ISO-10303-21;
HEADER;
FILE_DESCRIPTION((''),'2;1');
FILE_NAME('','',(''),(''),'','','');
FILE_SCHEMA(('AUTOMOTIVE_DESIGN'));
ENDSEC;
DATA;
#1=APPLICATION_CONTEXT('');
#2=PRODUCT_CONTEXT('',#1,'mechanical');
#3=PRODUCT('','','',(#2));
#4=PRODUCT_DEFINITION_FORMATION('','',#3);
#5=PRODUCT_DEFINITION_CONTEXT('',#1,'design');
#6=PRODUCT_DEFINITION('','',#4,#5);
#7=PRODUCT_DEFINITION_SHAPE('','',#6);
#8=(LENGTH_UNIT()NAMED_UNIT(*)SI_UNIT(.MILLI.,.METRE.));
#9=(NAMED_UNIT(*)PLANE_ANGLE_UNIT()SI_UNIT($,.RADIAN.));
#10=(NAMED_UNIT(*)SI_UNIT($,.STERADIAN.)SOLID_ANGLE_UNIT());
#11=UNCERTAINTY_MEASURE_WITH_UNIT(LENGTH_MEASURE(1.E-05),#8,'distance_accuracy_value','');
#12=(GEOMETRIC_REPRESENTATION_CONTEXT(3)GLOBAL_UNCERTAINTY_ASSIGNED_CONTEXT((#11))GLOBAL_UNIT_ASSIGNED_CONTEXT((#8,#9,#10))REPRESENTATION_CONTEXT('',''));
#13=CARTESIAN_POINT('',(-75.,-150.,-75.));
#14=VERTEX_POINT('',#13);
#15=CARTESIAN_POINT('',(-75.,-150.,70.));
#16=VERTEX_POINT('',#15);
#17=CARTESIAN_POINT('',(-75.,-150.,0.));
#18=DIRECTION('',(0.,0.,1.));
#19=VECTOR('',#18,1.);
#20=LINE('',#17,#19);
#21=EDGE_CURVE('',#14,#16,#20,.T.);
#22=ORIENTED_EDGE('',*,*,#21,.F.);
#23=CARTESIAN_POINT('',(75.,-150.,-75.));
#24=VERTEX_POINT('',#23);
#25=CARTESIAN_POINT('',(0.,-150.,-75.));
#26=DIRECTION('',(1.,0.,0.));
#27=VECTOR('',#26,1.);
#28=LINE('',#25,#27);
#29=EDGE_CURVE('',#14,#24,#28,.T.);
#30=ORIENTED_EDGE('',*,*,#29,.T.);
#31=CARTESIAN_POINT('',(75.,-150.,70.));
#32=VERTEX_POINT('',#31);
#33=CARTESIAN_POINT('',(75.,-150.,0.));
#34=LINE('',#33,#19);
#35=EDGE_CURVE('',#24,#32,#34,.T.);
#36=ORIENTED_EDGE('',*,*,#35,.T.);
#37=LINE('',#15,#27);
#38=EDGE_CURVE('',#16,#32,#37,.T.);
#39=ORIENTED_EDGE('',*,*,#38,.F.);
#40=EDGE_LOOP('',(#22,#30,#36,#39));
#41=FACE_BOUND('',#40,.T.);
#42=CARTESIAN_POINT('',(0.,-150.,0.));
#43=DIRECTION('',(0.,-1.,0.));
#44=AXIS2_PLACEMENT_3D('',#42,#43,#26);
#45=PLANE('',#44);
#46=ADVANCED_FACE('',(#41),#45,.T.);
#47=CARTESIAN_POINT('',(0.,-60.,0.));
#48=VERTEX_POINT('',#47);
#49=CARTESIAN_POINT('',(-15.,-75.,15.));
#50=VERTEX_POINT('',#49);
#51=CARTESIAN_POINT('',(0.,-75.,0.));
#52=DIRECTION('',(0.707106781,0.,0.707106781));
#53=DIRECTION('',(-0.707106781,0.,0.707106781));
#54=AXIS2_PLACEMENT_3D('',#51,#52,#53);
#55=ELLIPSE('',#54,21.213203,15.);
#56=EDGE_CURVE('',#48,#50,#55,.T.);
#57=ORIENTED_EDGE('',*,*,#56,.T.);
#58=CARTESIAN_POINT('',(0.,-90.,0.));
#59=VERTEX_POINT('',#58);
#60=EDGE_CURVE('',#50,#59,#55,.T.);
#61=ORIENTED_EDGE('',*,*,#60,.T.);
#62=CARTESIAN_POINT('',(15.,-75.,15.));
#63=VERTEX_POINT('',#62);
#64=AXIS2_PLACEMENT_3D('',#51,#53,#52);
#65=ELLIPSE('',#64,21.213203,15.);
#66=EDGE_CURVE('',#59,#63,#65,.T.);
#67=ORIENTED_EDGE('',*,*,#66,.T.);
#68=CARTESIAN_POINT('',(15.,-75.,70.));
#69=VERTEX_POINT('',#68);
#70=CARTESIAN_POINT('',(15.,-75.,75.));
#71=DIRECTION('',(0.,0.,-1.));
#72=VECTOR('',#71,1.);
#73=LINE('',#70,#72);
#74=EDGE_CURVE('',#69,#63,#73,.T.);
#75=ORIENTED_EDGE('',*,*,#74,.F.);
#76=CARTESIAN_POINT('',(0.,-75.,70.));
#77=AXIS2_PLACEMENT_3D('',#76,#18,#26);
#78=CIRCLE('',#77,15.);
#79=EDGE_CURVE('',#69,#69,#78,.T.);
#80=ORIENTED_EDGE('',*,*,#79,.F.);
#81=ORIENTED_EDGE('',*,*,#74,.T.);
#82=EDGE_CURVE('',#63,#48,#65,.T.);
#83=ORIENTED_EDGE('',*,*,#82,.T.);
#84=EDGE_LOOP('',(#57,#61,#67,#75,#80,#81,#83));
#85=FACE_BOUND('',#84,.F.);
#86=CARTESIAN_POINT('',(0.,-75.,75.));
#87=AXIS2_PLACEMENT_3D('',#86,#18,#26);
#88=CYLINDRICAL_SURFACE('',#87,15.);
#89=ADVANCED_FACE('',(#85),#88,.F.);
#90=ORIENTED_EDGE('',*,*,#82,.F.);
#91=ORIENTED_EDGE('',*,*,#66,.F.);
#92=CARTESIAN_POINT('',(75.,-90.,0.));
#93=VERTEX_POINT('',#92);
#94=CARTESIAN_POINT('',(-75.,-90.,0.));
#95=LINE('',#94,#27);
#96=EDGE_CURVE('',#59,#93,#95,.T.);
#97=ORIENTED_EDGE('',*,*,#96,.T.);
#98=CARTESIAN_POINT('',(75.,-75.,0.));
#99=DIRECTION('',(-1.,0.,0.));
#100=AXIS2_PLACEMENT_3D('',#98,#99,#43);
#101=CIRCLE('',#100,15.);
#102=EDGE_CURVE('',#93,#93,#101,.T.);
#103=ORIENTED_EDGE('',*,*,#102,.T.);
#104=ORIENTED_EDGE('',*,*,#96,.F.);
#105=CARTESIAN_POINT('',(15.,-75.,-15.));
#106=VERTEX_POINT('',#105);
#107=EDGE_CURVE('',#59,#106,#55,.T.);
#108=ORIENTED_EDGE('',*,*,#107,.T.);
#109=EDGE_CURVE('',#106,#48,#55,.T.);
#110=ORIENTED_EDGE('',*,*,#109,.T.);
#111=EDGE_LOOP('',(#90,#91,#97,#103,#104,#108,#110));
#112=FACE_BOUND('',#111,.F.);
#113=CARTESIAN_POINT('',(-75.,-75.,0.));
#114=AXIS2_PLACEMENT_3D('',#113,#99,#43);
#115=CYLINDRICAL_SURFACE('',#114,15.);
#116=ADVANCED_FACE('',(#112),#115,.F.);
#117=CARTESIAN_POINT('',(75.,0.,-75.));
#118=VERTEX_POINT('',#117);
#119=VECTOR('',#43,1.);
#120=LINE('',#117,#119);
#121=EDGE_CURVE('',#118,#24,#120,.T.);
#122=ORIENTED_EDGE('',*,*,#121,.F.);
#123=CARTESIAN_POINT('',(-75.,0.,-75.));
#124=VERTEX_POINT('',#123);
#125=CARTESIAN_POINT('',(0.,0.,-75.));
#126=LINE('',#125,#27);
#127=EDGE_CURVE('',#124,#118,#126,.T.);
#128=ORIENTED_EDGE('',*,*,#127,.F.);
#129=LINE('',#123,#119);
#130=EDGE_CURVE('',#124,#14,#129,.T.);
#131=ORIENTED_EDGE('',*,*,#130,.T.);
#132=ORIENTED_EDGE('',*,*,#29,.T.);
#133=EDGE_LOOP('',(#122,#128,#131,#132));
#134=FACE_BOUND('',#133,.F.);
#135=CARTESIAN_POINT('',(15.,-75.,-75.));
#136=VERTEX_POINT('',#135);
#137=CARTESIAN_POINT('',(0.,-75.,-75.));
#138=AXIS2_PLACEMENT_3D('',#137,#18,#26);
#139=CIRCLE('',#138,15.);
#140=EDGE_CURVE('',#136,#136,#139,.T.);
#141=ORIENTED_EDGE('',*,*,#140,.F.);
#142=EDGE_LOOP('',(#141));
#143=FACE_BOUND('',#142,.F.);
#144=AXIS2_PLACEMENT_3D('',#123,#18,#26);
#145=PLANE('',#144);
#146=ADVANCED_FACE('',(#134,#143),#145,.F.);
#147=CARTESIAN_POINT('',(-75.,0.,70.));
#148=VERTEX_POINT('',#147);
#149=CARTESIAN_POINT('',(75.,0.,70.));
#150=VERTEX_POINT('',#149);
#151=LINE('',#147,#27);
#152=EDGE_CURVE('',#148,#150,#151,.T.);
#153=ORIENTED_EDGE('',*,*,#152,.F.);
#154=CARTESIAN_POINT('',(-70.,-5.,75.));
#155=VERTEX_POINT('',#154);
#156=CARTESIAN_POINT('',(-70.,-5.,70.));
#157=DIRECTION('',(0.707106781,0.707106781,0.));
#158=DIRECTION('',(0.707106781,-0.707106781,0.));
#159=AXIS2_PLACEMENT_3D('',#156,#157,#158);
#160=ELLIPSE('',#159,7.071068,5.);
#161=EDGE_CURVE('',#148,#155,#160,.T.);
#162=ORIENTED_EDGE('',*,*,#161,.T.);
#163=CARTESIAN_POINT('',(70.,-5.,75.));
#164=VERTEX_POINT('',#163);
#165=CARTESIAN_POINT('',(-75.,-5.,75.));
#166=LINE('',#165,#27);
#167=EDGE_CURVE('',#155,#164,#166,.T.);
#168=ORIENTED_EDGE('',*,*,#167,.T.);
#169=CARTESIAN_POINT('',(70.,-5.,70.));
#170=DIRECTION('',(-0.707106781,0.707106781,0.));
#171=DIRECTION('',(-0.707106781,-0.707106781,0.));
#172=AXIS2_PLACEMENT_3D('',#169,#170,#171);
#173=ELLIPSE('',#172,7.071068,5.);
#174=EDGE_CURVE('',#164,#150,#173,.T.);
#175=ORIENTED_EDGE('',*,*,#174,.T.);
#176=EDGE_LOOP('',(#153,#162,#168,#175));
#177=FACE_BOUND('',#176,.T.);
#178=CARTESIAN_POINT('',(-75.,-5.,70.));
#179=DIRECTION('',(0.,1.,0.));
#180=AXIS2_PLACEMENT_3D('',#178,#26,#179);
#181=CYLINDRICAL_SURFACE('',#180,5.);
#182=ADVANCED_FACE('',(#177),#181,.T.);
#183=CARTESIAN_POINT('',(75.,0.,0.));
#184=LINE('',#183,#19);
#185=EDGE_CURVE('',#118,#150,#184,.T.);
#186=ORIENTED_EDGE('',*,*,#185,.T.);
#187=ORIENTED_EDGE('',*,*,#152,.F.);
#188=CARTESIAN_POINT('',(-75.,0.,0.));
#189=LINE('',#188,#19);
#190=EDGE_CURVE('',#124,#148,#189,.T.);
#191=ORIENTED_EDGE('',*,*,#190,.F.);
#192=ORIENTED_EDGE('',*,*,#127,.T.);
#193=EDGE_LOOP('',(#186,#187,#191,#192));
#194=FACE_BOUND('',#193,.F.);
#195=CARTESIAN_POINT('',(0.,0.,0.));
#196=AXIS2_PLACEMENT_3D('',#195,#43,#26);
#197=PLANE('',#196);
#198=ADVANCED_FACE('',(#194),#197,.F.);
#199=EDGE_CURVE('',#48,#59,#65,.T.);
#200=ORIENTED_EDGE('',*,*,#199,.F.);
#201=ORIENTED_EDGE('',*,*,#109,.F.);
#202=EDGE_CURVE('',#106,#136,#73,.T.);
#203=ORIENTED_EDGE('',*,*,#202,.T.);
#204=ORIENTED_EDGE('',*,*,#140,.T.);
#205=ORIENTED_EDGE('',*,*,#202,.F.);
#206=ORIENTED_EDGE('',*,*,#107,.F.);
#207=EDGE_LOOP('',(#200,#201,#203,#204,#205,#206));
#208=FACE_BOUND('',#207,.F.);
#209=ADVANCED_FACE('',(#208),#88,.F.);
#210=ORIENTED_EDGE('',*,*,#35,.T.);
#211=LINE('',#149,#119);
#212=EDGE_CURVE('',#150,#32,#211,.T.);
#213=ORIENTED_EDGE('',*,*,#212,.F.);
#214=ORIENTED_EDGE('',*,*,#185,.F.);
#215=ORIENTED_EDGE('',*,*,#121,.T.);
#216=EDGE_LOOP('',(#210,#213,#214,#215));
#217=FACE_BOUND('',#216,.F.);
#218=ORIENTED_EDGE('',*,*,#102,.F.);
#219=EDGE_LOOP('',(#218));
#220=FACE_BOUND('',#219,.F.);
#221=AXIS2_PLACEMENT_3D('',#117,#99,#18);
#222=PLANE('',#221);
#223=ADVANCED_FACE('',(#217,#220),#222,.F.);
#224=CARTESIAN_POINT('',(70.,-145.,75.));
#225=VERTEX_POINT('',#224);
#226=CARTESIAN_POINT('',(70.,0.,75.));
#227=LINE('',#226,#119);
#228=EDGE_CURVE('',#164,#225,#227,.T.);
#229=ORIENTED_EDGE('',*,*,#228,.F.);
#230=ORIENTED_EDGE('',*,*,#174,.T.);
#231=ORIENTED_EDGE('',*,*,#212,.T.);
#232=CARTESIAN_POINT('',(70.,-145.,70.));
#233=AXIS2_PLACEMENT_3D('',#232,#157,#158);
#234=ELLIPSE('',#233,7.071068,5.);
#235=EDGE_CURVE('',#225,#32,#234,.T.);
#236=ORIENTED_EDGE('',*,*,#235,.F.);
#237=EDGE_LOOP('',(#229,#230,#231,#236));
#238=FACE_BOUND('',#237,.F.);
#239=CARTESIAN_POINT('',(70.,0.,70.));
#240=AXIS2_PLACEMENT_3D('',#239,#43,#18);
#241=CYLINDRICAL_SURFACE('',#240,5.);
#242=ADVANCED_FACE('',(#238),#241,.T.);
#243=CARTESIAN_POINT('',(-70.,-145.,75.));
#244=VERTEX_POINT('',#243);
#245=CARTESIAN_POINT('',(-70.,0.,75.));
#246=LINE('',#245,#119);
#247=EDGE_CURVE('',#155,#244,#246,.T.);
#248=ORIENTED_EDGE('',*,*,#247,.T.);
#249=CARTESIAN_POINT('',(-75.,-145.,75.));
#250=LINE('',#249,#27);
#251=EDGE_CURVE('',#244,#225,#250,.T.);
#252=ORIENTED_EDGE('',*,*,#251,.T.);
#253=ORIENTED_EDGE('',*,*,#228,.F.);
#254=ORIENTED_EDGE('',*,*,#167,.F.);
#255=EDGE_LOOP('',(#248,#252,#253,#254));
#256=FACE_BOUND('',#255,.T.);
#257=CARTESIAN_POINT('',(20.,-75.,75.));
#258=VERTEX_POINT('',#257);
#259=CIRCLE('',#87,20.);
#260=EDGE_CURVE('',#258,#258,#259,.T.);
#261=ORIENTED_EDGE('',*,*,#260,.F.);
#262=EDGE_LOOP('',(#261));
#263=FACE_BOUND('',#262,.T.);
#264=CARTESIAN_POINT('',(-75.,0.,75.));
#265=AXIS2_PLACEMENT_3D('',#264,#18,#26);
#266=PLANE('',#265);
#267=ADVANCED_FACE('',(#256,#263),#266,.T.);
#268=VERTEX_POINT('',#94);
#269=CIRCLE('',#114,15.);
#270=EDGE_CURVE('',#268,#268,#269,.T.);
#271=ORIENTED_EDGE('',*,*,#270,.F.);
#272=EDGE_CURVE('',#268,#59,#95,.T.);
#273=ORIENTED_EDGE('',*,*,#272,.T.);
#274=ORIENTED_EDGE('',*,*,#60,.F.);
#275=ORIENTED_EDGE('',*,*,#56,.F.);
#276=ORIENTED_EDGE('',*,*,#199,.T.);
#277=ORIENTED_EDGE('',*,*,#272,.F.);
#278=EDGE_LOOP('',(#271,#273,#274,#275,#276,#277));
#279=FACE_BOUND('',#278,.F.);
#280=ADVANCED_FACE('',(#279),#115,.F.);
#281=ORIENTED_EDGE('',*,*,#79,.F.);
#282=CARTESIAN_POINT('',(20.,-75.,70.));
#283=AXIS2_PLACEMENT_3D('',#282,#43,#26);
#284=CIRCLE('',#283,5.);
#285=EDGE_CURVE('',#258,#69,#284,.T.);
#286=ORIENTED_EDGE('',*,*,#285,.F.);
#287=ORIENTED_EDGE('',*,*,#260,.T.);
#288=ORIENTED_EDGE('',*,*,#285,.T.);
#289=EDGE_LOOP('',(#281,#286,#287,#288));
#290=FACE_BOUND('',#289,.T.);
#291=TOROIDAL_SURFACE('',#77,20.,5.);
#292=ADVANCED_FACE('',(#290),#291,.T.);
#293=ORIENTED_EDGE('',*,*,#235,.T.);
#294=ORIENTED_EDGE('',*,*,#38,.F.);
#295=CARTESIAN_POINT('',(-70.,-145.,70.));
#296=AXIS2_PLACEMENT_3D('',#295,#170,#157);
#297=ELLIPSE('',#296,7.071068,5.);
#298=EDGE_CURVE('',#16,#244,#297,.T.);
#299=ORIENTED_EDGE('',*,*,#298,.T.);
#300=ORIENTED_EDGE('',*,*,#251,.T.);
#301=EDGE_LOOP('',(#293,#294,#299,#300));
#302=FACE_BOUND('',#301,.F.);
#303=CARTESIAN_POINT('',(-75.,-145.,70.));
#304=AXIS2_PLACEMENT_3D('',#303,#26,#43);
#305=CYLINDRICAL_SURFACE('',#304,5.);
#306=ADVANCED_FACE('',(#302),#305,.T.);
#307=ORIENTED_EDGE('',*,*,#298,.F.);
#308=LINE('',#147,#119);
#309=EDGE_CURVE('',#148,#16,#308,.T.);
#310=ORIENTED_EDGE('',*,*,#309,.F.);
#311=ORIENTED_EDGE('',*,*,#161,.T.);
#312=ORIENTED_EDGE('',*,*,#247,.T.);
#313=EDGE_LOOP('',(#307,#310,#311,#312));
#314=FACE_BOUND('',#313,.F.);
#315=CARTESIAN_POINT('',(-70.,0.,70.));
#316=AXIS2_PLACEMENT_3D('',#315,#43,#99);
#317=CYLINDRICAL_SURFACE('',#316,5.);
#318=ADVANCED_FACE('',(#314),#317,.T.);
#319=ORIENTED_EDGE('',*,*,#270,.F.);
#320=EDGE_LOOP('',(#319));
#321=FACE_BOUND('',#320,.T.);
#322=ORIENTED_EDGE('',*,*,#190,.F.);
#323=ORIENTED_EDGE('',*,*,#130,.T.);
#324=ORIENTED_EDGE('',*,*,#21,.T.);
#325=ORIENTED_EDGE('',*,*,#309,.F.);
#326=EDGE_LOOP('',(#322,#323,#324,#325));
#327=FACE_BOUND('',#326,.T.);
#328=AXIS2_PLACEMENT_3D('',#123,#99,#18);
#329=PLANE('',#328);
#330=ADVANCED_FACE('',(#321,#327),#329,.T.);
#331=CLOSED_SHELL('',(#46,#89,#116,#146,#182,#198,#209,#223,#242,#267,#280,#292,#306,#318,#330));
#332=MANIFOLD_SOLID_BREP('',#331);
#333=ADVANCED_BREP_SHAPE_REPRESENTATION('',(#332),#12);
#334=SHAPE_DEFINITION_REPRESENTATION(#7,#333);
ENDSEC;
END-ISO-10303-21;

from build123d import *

# Parameters (mm, degrees)
F0_W     = 150
F0_H     = 150
F1_DEPTH = 150
F2_R     = 15
F3_DEPTH = 150
F4_R     = 15
F5_DEPTH = 150
F6_R     = 5


with BuildPart() as f1:
    # F0 (on Front) → F1 (new body)
    with BuildSketch(Plane.XZ):
        Rectangle(F0_W, F0_H)
    extrude(amount=F1_DEPTH)

    # F2 (on face) → F3 (cut)
    with BuildSketch(Plane.XY.offset(75)):
        with Locations((0, -75)):
            Circle(F2_R)
    extrude(amount=-F3_DEPTH, mode=Mode.SUBTRACT)

    # F4 (on face) → F5 (cut)
    with BuildSketch(Plane(origin=(-75, 0, 0), x_dir=(0, -1, 0), z_dir=(-1, 0, 0))):
        with Locations((75, 0)):
            Circle(F4_R)
    extrude(amount=-F5_DEPTH, mode=Mode.SUBTRACT)

    # F6
    f6_edges = [f1.edges().sort_by_distance(p)[0] for p in [
        (75, -75, 75),
        (0, 0, 75),
        (0, -150, 75),
        (-75, -75, 75),
        (-15, -75, 75),
    ]]
    fillet(f6_edges, radius=F6_R)


solid = f1.part
